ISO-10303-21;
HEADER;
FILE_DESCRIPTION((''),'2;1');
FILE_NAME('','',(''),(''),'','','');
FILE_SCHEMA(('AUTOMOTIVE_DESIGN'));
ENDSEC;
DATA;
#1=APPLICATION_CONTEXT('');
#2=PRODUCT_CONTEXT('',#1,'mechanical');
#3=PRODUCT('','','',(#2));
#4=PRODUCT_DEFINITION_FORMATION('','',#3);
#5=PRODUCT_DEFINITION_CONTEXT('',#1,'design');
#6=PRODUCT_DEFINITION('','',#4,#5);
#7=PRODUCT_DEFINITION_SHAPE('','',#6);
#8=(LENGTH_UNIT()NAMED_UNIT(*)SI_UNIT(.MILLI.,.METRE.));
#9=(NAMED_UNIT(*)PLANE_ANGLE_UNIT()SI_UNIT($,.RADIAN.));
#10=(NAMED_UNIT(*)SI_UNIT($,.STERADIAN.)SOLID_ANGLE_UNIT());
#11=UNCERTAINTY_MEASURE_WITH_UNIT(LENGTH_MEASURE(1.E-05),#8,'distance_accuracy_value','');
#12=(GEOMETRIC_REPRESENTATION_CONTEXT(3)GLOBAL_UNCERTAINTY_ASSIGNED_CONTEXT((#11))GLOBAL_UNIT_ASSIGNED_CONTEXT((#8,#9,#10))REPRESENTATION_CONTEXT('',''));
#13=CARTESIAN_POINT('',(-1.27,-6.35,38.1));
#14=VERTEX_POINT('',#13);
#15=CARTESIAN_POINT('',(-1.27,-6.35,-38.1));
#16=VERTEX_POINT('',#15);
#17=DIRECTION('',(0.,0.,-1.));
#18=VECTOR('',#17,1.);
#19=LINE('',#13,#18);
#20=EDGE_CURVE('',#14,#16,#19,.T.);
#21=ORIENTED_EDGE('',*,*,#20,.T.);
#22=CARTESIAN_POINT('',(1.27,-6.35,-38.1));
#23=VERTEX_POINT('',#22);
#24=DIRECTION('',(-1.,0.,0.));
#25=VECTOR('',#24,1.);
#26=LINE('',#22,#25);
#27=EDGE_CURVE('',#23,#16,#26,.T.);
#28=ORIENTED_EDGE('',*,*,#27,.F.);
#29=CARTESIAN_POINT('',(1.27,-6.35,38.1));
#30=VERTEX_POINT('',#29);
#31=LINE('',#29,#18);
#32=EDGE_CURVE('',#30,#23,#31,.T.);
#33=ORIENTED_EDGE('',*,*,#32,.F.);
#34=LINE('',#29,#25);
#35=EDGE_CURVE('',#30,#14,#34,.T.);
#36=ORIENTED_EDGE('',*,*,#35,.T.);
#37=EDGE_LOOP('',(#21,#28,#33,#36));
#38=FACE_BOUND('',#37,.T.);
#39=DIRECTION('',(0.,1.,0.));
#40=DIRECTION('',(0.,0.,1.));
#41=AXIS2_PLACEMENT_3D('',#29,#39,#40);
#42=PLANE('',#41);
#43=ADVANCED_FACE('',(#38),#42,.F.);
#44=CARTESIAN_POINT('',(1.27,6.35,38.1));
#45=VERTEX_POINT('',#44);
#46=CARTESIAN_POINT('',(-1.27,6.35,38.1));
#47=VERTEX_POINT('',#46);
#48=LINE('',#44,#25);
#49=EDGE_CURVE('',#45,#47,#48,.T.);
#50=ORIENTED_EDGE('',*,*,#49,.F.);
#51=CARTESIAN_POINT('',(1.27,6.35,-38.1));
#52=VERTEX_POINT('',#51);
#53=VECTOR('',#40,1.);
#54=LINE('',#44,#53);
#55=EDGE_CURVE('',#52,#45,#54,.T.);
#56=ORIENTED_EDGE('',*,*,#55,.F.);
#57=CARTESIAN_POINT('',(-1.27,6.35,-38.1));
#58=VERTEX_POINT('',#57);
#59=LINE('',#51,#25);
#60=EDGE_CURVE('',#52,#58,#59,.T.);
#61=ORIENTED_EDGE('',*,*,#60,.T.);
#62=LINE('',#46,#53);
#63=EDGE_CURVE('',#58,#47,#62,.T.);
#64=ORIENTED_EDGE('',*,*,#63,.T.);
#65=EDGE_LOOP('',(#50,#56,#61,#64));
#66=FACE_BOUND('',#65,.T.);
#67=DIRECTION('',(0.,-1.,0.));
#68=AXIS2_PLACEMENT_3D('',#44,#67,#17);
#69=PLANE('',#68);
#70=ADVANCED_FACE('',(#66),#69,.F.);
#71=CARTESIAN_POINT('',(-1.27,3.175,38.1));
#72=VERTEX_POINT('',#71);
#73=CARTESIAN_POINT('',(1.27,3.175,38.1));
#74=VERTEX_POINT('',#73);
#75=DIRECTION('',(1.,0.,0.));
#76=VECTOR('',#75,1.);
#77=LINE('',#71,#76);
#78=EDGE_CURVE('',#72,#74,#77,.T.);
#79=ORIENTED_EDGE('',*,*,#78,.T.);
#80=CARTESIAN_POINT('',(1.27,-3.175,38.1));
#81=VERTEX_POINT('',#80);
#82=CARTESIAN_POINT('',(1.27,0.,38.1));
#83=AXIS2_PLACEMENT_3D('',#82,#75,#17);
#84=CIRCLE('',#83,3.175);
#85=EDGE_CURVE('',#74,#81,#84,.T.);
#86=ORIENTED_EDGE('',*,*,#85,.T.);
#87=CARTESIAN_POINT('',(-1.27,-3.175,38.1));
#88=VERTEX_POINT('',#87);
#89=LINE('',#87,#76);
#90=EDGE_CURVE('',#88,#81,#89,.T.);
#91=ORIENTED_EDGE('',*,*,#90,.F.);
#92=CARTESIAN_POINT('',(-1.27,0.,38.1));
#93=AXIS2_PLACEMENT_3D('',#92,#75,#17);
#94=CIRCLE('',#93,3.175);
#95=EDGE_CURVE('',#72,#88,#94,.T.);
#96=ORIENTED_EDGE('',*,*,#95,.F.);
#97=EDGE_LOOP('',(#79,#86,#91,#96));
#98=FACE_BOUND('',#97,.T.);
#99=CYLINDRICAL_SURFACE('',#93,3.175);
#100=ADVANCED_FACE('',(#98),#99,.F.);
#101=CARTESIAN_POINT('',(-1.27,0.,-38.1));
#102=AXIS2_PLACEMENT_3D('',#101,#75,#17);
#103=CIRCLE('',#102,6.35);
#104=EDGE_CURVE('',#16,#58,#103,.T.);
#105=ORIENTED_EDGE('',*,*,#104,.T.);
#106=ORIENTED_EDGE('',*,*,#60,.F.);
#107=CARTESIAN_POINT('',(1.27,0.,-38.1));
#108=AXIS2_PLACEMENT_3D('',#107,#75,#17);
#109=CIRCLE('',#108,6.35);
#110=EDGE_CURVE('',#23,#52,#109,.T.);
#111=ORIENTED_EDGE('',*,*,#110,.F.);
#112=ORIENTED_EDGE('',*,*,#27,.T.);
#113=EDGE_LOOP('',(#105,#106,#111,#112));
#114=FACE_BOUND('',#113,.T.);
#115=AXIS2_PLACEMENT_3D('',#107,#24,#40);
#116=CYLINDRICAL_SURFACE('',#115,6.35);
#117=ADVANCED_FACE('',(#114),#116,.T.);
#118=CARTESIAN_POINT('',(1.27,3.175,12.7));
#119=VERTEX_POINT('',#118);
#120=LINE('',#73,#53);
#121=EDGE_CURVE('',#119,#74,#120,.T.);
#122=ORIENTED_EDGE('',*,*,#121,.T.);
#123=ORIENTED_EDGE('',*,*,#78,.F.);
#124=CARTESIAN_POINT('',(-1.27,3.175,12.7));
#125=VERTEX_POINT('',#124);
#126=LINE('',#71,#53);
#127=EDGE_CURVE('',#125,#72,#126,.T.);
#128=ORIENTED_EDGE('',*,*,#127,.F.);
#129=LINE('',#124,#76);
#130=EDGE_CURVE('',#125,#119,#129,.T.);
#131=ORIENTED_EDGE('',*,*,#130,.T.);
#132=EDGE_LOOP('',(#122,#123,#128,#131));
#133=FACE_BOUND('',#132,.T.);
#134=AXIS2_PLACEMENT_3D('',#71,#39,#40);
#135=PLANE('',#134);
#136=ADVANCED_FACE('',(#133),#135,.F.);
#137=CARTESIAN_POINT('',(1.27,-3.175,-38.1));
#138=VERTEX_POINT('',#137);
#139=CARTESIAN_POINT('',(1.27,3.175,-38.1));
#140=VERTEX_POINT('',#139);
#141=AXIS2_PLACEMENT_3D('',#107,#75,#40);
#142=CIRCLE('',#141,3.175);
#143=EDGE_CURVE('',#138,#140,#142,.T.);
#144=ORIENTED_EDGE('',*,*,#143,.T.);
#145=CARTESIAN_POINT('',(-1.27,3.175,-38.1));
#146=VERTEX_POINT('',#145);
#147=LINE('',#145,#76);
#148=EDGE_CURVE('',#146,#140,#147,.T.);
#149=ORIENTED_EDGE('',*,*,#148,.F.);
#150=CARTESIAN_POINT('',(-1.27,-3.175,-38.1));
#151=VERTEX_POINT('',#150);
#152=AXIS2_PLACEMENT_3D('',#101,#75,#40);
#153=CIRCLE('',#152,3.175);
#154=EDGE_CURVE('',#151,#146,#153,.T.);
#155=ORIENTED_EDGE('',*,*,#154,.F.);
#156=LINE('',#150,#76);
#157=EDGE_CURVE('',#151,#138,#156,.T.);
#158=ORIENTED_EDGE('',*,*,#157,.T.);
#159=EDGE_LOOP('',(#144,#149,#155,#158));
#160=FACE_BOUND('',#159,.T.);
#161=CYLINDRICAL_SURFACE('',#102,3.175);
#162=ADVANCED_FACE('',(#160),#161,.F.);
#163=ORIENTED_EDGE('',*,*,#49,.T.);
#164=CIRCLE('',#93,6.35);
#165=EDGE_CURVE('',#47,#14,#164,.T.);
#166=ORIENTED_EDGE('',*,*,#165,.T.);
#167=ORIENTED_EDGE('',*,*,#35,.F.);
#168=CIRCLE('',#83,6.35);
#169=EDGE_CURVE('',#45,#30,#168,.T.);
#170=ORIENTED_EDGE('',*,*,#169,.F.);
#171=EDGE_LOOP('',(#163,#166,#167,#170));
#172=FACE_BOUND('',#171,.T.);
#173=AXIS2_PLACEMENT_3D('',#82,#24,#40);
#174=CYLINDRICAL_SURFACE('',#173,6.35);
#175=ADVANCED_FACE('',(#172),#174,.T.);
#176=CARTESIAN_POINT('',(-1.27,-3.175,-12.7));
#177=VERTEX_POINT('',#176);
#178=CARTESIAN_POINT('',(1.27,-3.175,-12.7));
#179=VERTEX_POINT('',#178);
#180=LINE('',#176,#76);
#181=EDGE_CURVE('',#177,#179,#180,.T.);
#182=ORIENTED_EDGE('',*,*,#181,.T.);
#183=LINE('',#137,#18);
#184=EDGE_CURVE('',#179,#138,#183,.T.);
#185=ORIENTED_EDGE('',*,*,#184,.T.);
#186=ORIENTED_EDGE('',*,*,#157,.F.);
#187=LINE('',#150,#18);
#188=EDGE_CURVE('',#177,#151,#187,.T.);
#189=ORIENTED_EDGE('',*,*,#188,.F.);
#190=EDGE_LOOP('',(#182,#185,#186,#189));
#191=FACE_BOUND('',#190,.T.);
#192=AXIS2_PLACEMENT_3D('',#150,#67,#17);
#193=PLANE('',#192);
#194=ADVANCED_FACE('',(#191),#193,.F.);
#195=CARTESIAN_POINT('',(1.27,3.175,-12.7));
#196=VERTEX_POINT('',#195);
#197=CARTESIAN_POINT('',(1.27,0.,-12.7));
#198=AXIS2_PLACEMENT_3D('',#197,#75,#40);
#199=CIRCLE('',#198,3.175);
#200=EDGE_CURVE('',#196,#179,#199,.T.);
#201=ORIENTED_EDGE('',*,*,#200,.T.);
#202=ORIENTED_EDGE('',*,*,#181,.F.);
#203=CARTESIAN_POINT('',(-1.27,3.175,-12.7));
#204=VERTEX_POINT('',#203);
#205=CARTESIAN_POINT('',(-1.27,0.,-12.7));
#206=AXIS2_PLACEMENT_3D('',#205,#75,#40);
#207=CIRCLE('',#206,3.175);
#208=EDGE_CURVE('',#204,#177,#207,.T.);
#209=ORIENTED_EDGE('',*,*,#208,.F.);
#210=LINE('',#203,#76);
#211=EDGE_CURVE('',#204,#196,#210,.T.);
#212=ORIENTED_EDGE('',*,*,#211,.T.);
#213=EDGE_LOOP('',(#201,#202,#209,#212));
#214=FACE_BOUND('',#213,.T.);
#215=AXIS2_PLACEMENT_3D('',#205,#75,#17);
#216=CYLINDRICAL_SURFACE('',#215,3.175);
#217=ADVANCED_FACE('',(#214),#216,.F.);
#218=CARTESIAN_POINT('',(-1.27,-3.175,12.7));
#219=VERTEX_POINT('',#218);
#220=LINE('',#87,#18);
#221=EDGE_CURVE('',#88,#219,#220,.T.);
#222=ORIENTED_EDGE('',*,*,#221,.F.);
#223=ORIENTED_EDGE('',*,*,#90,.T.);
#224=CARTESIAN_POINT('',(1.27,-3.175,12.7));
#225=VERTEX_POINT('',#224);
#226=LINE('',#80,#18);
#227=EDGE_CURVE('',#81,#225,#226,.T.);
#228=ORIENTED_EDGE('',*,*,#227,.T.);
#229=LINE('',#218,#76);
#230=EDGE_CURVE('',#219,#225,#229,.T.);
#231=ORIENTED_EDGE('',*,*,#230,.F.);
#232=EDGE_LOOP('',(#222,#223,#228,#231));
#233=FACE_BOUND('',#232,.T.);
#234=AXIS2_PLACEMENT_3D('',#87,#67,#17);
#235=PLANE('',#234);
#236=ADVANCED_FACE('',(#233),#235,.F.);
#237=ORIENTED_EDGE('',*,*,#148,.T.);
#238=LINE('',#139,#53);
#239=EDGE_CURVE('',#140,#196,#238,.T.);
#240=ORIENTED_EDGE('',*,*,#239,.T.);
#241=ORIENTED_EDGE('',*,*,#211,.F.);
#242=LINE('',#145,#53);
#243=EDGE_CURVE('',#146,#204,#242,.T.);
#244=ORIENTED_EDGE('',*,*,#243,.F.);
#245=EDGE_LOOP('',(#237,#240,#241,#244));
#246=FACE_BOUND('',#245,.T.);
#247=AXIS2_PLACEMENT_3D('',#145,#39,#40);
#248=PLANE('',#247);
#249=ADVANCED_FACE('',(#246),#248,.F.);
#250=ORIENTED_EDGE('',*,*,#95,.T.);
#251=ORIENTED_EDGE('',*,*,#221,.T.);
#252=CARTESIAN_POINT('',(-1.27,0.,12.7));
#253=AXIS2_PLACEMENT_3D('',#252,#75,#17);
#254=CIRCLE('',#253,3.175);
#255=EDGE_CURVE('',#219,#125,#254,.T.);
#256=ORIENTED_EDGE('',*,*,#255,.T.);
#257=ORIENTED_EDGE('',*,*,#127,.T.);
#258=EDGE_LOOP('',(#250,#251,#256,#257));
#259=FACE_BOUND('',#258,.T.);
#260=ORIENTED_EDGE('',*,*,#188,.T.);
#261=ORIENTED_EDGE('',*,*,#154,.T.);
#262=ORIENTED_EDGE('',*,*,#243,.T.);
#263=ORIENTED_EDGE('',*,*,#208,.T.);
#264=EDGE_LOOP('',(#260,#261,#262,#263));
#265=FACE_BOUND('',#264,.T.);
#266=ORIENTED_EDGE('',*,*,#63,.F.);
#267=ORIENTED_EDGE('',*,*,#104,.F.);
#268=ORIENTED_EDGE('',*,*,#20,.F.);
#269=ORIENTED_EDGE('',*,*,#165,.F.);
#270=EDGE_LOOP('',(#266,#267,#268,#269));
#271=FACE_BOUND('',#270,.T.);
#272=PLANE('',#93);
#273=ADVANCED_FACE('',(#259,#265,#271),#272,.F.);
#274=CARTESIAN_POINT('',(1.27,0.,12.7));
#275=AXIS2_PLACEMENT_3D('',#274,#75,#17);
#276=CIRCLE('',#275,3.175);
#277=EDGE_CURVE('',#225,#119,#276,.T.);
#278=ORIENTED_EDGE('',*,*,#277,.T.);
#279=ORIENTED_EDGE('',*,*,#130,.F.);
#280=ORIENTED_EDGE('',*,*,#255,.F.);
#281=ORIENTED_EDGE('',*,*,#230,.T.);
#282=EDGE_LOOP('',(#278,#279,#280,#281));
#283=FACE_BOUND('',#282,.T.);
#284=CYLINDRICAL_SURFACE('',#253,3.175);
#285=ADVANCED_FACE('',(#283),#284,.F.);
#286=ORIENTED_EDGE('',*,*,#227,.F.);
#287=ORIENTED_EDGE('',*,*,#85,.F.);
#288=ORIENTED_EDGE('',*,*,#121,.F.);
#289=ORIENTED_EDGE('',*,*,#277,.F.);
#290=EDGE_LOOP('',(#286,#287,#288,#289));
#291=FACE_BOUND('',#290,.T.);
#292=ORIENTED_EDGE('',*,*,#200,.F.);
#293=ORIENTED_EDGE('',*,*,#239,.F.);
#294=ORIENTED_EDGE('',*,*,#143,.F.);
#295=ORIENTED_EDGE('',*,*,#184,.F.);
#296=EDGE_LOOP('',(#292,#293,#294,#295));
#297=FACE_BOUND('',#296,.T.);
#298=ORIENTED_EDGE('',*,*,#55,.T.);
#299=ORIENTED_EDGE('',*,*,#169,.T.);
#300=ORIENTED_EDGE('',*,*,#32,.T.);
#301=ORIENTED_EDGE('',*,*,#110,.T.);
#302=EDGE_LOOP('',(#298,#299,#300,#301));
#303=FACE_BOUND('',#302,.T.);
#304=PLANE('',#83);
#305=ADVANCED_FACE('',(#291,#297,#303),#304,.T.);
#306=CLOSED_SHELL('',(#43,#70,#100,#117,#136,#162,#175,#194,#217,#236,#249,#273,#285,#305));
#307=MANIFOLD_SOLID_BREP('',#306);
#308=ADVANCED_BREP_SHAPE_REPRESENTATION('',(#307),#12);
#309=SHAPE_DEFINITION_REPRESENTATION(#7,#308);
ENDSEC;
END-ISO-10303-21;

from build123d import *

# Parameters (mm, degrees)
BOSS_EXTRUDE1_DEPTH = 1.27
CUT_EXTRUDE1_DEPTH  = 3.54


with BuildPart() as part:
    # Sketch1 → Boss-Extrude1 (new body, symmetric)
    with BuildSketch(Plane(origin=(0, 0, 0), x_dir=(0, 0, -1), z_dir=(1, 0, 0))):
        with BuildLine():
            Line((-38.1, 6.35), (38.1, 6.35))
            ThreePointArc((38.1, 6.35), (44.45, 0), (38.1, -6.35))
            Line((38.1, -6.35), (-38.1, -6.35))
            ThreePointArc((-38.1, -6.35), (-44.45, 0), (-38.1, 6.35))
        make_face()
    extrude(amount=BOSS_EXTRUDE1_DEPTH, both=True)

    # Sketch2 → Cut-Extrude1 (cut, through all)
    with BuildSketch(Plane(origin=(1.27, 0, 0), x_dir=(0, 0, -1), z_dir=(1, 0, 0))):
        with BuildLine():
            Line((-38.1, 3.175), (-12.7, 3.175))
            ThreePointArc((-12.7, 3.175), (-9.525, 0), (-12.7, -3.175))
            Line((-12.7, -3.175), (-38.1, -3.175))
            ThreePointArc((-38.1, -3.175), (-41.275, 0), (-38.1, 3.175))
        make_face()
        with BuildLine():
            Line((38.1, 3.175), (12.7, 3.175))
            ThreePointArc((12.7, 3.175), (9.525, 0), (12.7, -3.175))
            Line((12.7, -3.175), (38.1, -3.175))
            ThreePointArc((38.1, -3.175), (41.275, 0), (38.1, 3.175))
        make_face()
    extrude(amount=-CUT_EXTRUDE1_DEPTH, mode=Mode.SUBTRACT)


solid = part.part
